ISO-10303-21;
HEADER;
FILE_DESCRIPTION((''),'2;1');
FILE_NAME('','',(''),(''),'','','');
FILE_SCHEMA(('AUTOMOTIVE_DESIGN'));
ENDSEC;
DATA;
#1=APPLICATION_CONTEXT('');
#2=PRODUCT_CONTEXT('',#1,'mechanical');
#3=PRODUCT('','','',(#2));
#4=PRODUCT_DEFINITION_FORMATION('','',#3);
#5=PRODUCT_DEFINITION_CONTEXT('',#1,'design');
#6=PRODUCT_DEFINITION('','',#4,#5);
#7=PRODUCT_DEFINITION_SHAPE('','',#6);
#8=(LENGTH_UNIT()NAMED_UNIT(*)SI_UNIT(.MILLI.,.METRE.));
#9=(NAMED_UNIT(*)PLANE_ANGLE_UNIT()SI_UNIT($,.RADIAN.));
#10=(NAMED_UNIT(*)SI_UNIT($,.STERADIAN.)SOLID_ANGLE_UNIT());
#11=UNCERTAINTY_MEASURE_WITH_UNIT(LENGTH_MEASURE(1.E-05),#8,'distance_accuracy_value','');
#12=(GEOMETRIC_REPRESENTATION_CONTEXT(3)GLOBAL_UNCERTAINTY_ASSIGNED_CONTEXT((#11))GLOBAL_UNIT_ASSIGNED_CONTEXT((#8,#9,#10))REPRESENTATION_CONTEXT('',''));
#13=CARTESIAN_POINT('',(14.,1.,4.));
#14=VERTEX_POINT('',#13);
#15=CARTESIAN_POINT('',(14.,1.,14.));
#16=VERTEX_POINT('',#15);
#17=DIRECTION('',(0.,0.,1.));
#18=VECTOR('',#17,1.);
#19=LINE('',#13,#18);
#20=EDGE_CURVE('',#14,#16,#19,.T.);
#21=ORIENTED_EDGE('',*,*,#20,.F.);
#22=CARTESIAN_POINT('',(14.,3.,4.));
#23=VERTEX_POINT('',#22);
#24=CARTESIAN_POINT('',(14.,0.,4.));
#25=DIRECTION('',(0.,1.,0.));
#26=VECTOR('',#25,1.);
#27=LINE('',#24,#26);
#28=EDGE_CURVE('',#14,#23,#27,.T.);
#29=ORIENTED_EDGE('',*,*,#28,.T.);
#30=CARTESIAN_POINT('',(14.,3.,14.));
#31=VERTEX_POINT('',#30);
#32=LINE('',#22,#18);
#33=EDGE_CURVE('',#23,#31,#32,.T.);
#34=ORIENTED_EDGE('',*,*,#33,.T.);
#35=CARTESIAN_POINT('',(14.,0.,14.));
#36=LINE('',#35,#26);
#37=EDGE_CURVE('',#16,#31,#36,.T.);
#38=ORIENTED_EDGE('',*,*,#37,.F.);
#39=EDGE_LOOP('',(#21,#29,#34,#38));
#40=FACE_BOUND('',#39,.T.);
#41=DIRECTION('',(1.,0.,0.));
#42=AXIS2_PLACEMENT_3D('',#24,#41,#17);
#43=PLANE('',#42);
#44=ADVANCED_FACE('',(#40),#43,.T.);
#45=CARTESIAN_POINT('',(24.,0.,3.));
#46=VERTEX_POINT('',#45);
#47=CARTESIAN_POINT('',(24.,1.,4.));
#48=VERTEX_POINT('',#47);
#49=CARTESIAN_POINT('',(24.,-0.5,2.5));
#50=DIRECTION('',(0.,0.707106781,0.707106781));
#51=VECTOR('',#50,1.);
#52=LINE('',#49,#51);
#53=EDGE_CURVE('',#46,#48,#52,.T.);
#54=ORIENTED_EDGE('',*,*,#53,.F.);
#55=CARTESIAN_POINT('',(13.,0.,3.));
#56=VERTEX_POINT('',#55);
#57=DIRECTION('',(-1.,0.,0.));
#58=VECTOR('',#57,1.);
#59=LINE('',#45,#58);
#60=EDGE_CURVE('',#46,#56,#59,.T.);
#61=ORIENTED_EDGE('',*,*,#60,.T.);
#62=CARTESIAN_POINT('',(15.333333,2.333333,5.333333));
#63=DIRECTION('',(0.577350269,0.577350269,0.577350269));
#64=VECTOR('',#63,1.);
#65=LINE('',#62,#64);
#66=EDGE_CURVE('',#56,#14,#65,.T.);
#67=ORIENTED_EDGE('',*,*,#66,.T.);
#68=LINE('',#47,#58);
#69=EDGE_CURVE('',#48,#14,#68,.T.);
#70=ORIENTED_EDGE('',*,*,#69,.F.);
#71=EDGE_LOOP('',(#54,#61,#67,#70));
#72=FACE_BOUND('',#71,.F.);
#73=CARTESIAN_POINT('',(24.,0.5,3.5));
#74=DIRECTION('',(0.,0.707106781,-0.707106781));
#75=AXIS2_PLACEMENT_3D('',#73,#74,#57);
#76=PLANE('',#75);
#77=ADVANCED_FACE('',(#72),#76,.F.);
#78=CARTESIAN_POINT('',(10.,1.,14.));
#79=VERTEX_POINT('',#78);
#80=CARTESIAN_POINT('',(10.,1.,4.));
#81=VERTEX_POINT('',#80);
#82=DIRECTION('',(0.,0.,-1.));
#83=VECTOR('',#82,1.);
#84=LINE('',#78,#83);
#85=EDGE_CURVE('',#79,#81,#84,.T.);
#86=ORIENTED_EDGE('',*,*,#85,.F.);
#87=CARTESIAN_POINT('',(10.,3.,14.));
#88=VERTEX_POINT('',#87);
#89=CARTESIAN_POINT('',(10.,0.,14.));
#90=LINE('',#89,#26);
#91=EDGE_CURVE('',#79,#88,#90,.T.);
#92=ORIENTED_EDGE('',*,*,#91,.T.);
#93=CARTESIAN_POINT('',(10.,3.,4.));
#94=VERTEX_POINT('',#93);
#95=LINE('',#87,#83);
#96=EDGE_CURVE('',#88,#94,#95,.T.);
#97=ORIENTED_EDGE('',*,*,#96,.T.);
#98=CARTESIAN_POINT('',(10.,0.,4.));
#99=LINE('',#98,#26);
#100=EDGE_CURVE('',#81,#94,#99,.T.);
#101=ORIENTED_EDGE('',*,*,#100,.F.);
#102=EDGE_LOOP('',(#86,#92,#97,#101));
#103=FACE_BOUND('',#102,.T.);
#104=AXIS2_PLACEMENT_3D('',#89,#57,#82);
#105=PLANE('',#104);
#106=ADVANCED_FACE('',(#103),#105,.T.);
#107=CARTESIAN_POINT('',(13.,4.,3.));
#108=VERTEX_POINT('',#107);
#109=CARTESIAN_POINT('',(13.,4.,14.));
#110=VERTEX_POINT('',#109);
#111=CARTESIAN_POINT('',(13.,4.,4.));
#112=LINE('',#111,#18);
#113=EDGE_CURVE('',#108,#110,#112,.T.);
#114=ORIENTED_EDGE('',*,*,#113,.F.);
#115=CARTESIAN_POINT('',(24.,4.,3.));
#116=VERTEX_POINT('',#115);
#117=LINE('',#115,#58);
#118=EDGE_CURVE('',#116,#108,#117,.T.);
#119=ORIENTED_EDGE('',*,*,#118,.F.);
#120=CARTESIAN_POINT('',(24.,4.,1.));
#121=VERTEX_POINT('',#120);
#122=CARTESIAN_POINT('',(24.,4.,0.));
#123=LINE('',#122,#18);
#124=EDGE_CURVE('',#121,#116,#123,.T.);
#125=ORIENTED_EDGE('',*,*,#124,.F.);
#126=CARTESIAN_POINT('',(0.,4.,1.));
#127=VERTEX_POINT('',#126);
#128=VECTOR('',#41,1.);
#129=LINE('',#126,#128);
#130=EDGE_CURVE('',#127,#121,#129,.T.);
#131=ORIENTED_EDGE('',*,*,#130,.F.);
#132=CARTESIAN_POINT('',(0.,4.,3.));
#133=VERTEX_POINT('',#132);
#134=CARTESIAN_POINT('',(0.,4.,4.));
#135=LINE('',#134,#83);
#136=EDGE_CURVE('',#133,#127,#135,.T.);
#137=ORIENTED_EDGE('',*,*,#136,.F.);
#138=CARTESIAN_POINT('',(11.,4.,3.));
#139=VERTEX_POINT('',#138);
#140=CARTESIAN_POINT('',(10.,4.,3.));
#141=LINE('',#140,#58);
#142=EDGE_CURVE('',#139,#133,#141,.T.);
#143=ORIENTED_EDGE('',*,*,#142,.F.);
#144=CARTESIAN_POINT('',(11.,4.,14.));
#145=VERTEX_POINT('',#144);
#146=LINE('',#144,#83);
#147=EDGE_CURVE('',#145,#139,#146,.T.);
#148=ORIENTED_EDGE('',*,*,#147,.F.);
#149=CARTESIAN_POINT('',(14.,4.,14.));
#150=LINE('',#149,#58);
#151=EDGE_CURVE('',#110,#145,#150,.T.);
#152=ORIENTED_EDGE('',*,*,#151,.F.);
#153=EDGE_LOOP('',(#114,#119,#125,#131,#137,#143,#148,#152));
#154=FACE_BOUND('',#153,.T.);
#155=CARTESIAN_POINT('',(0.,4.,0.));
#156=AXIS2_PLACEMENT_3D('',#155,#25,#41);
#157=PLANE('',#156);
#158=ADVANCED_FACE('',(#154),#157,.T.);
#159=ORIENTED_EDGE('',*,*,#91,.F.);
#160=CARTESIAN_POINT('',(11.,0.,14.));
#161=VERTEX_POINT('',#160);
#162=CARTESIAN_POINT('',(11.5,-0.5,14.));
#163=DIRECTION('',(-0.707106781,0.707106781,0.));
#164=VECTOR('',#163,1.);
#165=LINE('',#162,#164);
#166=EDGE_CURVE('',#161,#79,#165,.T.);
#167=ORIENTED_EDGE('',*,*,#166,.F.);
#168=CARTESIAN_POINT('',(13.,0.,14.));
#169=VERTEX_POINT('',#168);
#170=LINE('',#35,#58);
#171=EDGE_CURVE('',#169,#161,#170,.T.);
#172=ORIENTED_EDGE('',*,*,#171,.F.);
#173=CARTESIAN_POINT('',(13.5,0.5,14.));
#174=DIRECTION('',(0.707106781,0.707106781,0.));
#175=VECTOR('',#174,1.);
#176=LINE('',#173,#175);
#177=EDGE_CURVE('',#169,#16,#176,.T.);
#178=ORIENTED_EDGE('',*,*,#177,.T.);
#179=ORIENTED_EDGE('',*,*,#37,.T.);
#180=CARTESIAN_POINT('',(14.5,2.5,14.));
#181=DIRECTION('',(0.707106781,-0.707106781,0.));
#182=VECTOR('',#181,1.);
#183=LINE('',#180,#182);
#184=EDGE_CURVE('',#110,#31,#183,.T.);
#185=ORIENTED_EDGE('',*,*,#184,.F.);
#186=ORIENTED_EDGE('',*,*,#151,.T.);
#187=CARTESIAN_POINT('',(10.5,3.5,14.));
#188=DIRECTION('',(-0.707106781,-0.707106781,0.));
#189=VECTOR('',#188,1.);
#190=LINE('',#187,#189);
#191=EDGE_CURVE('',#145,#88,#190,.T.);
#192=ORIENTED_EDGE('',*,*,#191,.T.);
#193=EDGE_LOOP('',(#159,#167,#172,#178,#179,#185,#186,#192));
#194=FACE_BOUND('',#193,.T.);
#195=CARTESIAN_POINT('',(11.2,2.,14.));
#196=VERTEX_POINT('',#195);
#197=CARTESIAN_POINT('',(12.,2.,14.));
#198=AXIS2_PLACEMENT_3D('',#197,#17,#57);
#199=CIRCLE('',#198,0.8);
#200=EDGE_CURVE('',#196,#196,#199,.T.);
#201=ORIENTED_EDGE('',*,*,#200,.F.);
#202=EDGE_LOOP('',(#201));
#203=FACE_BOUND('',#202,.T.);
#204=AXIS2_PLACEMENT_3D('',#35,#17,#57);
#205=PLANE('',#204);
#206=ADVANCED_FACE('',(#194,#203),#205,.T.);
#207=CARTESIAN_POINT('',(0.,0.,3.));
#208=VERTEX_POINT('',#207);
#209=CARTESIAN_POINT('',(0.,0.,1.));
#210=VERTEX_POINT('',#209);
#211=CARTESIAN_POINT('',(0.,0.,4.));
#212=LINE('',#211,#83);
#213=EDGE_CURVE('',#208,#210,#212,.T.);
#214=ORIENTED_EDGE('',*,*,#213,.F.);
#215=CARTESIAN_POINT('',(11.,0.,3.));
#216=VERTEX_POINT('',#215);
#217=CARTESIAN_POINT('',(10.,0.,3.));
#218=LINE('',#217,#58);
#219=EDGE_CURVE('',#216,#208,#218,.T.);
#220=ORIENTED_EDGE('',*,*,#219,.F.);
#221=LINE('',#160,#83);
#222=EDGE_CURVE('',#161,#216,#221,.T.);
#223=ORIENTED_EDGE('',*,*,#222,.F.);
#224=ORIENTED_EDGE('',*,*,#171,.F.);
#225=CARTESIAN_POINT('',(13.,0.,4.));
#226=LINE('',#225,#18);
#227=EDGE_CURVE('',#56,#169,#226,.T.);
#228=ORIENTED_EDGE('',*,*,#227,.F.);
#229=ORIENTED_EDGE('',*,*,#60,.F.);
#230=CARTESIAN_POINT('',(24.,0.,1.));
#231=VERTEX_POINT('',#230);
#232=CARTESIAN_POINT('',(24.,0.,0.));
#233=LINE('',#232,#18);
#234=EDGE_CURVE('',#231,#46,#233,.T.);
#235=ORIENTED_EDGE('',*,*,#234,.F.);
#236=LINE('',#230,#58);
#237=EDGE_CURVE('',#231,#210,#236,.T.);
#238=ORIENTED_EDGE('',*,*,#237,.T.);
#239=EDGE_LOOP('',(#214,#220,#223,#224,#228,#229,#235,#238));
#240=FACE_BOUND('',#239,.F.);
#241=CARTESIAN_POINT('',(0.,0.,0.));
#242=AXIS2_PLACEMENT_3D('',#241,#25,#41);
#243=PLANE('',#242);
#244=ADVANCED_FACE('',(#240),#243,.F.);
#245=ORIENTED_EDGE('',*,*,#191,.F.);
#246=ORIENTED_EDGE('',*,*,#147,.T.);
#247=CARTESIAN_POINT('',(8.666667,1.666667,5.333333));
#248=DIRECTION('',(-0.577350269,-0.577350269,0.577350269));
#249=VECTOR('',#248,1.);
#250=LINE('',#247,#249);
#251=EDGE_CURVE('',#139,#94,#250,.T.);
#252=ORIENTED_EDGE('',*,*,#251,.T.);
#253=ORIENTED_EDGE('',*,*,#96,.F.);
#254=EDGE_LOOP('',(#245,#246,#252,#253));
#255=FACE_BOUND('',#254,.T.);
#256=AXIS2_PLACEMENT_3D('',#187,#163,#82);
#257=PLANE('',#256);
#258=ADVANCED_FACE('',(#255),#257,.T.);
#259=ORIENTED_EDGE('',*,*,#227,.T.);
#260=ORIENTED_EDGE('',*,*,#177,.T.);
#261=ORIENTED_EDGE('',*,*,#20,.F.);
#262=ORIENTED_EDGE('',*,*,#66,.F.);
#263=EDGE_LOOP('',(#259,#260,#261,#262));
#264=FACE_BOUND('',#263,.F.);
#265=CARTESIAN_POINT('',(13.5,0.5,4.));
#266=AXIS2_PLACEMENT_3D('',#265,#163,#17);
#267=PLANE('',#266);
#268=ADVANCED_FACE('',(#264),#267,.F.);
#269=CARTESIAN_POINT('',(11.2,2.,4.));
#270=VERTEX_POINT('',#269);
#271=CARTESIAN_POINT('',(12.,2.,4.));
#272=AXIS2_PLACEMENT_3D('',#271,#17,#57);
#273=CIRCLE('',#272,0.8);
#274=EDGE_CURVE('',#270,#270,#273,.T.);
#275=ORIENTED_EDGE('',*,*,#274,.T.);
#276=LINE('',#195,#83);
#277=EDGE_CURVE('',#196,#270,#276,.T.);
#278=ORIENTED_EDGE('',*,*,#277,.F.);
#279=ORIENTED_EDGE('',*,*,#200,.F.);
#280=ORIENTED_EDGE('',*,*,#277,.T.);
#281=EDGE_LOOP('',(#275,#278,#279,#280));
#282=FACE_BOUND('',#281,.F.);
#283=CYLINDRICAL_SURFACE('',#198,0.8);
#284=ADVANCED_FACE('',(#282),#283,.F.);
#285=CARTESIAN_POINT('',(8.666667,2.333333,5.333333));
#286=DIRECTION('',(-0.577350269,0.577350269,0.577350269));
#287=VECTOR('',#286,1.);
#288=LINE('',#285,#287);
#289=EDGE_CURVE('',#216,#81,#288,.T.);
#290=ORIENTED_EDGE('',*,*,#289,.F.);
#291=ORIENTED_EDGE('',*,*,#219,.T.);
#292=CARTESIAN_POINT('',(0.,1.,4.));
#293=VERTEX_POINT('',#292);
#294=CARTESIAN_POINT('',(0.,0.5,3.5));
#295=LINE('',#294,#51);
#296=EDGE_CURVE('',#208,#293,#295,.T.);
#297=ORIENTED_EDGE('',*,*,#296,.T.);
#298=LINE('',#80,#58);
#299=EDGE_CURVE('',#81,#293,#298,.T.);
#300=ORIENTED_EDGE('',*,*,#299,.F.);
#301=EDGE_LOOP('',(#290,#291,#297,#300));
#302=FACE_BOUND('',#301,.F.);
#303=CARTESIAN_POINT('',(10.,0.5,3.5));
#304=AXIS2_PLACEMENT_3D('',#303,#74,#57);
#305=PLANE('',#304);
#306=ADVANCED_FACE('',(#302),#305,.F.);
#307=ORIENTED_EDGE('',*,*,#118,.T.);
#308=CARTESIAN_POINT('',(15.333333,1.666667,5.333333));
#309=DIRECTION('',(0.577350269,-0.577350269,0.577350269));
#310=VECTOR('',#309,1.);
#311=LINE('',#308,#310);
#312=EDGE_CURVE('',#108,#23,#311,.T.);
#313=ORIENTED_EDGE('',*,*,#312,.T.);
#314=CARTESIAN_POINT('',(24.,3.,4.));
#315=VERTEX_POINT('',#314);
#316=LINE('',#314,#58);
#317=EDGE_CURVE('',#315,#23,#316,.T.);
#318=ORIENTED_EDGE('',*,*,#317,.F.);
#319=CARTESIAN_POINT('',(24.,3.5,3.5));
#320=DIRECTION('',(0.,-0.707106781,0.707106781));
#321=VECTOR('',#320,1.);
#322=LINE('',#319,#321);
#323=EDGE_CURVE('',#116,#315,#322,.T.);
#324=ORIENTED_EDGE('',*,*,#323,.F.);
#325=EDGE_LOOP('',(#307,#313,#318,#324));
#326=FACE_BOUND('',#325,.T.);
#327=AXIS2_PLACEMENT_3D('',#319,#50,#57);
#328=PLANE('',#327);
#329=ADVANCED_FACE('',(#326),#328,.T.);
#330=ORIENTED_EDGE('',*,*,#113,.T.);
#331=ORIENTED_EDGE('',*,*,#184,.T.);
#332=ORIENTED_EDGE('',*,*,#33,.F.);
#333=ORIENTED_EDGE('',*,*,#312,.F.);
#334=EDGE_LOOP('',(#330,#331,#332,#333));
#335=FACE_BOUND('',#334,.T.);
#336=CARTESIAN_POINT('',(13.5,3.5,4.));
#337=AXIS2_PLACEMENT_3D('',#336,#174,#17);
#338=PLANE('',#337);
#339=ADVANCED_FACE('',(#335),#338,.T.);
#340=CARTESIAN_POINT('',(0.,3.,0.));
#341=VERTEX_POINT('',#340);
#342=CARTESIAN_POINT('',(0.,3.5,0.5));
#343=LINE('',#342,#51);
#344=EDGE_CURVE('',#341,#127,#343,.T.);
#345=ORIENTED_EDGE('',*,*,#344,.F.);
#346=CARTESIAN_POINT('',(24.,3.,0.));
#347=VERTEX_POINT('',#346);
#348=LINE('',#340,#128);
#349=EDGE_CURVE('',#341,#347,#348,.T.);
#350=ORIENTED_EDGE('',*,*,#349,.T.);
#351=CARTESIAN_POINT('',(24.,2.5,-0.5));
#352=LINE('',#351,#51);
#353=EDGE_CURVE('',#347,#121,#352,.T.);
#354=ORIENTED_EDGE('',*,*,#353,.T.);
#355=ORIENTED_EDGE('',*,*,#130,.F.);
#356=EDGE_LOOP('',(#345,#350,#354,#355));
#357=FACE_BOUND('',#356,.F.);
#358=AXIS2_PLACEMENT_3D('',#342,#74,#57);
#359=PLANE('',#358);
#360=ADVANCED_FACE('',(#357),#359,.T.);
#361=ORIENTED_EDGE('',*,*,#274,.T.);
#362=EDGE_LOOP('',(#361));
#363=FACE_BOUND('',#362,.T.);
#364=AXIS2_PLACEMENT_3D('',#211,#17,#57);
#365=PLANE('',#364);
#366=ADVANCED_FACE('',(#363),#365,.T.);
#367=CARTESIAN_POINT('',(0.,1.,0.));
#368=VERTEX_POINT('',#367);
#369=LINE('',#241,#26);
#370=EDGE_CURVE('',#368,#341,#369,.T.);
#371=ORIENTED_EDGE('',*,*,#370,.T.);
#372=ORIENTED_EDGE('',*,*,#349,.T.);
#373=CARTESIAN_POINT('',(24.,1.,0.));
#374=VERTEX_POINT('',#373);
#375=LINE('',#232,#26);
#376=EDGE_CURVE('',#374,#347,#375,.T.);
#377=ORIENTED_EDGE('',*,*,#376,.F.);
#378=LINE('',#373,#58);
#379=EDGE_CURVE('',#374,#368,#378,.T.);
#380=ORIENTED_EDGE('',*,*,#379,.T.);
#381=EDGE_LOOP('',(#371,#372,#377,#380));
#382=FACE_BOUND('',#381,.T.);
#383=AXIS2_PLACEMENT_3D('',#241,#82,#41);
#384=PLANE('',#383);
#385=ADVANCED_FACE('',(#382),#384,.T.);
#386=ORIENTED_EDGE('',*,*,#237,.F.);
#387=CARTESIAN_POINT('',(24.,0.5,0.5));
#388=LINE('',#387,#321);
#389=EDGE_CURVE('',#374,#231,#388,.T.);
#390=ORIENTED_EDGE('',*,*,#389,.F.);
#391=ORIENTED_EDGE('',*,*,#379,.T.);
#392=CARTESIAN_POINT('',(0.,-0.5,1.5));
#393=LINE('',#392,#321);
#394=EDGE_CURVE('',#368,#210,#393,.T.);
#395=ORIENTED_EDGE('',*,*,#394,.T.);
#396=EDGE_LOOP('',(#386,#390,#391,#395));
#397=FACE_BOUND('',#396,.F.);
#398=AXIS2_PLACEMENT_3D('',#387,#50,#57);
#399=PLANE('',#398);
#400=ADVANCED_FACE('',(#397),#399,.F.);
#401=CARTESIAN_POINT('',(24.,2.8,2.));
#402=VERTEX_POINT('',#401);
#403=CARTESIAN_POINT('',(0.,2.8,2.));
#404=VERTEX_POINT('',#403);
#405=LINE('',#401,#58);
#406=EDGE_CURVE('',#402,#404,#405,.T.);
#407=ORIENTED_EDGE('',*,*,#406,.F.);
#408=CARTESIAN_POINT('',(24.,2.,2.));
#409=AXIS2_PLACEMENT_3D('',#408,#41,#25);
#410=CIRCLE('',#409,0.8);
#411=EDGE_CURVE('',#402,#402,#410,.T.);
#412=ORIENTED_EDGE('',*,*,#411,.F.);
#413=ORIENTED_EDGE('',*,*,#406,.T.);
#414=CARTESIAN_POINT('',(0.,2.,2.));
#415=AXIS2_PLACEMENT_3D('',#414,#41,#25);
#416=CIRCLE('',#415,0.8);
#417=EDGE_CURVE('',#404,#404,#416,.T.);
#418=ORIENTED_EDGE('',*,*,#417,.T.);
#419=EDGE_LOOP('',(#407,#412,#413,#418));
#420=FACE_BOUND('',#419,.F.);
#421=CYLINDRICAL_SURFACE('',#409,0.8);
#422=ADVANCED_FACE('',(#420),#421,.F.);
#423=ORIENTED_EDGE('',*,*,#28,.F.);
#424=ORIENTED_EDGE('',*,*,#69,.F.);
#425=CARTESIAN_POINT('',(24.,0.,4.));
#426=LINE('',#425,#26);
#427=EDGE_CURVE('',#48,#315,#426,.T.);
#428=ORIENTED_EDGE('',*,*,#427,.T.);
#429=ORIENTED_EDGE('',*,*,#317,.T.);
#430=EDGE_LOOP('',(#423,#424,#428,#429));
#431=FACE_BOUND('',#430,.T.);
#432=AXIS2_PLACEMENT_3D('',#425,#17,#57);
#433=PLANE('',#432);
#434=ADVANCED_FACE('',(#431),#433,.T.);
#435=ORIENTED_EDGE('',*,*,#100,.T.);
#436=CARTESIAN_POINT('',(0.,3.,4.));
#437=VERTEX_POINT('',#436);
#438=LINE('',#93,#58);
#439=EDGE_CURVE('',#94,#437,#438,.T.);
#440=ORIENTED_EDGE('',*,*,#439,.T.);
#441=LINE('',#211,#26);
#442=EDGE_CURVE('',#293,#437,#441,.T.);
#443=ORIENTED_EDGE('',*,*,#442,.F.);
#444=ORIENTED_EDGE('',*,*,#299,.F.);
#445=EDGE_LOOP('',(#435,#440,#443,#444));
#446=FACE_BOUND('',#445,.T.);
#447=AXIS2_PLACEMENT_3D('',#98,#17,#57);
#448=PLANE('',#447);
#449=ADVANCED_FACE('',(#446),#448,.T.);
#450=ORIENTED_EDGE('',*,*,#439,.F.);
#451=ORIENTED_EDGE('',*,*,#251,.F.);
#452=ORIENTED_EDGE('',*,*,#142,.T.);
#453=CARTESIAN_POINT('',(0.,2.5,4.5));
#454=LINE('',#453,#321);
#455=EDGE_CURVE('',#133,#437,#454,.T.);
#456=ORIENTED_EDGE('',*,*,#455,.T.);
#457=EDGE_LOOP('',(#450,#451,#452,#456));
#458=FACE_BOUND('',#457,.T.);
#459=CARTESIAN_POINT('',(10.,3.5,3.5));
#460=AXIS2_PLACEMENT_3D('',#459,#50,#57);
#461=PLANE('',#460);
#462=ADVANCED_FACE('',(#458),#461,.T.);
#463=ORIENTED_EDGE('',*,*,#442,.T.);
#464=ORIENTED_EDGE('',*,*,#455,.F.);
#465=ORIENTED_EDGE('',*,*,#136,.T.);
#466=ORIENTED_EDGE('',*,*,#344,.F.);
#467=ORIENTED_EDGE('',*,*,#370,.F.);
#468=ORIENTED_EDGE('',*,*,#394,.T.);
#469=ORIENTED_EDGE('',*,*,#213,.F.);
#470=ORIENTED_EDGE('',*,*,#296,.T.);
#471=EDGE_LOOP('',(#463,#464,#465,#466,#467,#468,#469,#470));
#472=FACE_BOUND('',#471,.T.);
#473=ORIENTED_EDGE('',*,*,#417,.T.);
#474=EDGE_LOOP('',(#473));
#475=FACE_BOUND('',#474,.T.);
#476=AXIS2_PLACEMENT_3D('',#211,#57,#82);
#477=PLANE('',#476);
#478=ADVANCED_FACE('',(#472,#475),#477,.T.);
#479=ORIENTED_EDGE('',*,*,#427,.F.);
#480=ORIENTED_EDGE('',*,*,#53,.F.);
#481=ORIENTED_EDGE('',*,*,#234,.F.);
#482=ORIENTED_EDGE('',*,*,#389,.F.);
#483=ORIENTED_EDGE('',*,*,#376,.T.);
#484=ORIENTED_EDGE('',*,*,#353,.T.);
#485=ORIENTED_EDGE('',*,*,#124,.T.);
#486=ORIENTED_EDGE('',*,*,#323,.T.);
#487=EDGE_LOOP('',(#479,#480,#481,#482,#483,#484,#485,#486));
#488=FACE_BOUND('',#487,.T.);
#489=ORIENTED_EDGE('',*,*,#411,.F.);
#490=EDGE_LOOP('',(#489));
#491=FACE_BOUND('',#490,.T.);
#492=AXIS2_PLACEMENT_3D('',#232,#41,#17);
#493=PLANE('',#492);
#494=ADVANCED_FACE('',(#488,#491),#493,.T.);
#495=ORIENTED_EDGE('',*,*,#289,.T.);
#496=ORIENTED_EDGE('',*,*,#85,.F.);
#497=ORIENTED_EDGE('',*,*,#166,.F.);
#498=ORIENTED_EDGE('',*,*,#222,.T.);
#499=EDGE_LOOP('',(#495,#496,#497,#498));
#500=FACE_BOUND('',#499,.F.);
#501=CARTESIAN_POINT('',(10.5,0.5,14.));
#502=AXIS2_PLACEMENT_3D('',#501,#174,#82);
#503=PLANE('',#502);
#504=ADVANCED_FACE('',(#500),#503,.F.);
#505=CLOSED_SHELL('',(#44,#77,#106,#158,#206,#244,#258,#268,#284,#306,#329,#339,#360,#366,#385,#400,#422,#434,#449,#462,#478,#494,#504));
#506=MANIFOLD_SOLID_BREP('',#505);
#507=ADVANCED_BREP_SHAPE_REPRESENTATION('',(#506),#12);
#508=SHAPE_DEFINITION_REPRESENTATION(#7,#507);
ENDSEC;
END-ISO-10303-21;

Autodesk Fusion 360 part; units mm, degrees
sketch "Sketch1" plane through (0, 0, 0) normal (0, 1, 0) x (1, 0, 0)
  line L0 (0, 0) -> (24, 0)
  line L1 (24, 0) -> (24, -4)
  line L2 (24, -4) -> (0, -4)
  line L3 (0, -4) -> (0, 0)
  line L4 (10, 0) -> (14, 0)
  line L5 (14, 0) -> (14, -14)
  line L6 (14, -14) -> (10, -14)
  line L7 (10, -14) -> (10, 0)
  dimension "d1" = 24
  dimension "d2" = 4
  dimension "d3" = 24
  dimension "d4" = 4
  dimension "d5" = 4
  dimension "d6" = 10
  dimension "d7" = 10
extrude "Extrude1" add sketch "Sketch1" along normal blind 4
sketch "Sketch2" plane through (24, 0, 0) normal (1, 0, 0) x (0, 1, 0)
  line L0 (0, 4) -> (0, 0)
  line L1 (0, 0) -> (4, 0)
  line L2 (4, 0) -> (4, 4)
  line L3 (4, 4) -> (0, 4)
  circle A0 centre (2, 2) radius 0.8
  dimension "d10" = 1.6
  dimension "d11" = 2
  dimension "d12" = 2
extrude "Extrude2" cut sketch "Sketch2" against normal blind 24 contours A0
sketch "Sketch3" plane through (0, 0, 14) normal (0, 0, 1) x (-1, 0, 0)
  line L0 (-10, 0) -> (-14, 0)
  line L1 (-14, 0) -> (-14, -4)
  line L2 (-14, -4) -> (-10, -4)
  line L3 (-10, -4) -> (-10, 0)
  circle A0 centre (-12, -2) radius 0.8
  dimension "d15" = 1.6
  dimension "d16" = 2
  dimension "d17" = 2
extrude "Extrude3" cut sketch "Sketch3" against normal blind 10 contours A0
chamfer "Chamfer1" distance 1 angle 45 10 edges at (19, 0, 4) (14, 0, 9) (10, 0, 9) (5, 0, 4) (12, 0, 0) (19, 4, 4) (14, 4, 9) (10, 4, 9) (5, 4, 4) (12, 4, 0)
equation "d1 = 10 mm + 10 mm + 4 mm"
